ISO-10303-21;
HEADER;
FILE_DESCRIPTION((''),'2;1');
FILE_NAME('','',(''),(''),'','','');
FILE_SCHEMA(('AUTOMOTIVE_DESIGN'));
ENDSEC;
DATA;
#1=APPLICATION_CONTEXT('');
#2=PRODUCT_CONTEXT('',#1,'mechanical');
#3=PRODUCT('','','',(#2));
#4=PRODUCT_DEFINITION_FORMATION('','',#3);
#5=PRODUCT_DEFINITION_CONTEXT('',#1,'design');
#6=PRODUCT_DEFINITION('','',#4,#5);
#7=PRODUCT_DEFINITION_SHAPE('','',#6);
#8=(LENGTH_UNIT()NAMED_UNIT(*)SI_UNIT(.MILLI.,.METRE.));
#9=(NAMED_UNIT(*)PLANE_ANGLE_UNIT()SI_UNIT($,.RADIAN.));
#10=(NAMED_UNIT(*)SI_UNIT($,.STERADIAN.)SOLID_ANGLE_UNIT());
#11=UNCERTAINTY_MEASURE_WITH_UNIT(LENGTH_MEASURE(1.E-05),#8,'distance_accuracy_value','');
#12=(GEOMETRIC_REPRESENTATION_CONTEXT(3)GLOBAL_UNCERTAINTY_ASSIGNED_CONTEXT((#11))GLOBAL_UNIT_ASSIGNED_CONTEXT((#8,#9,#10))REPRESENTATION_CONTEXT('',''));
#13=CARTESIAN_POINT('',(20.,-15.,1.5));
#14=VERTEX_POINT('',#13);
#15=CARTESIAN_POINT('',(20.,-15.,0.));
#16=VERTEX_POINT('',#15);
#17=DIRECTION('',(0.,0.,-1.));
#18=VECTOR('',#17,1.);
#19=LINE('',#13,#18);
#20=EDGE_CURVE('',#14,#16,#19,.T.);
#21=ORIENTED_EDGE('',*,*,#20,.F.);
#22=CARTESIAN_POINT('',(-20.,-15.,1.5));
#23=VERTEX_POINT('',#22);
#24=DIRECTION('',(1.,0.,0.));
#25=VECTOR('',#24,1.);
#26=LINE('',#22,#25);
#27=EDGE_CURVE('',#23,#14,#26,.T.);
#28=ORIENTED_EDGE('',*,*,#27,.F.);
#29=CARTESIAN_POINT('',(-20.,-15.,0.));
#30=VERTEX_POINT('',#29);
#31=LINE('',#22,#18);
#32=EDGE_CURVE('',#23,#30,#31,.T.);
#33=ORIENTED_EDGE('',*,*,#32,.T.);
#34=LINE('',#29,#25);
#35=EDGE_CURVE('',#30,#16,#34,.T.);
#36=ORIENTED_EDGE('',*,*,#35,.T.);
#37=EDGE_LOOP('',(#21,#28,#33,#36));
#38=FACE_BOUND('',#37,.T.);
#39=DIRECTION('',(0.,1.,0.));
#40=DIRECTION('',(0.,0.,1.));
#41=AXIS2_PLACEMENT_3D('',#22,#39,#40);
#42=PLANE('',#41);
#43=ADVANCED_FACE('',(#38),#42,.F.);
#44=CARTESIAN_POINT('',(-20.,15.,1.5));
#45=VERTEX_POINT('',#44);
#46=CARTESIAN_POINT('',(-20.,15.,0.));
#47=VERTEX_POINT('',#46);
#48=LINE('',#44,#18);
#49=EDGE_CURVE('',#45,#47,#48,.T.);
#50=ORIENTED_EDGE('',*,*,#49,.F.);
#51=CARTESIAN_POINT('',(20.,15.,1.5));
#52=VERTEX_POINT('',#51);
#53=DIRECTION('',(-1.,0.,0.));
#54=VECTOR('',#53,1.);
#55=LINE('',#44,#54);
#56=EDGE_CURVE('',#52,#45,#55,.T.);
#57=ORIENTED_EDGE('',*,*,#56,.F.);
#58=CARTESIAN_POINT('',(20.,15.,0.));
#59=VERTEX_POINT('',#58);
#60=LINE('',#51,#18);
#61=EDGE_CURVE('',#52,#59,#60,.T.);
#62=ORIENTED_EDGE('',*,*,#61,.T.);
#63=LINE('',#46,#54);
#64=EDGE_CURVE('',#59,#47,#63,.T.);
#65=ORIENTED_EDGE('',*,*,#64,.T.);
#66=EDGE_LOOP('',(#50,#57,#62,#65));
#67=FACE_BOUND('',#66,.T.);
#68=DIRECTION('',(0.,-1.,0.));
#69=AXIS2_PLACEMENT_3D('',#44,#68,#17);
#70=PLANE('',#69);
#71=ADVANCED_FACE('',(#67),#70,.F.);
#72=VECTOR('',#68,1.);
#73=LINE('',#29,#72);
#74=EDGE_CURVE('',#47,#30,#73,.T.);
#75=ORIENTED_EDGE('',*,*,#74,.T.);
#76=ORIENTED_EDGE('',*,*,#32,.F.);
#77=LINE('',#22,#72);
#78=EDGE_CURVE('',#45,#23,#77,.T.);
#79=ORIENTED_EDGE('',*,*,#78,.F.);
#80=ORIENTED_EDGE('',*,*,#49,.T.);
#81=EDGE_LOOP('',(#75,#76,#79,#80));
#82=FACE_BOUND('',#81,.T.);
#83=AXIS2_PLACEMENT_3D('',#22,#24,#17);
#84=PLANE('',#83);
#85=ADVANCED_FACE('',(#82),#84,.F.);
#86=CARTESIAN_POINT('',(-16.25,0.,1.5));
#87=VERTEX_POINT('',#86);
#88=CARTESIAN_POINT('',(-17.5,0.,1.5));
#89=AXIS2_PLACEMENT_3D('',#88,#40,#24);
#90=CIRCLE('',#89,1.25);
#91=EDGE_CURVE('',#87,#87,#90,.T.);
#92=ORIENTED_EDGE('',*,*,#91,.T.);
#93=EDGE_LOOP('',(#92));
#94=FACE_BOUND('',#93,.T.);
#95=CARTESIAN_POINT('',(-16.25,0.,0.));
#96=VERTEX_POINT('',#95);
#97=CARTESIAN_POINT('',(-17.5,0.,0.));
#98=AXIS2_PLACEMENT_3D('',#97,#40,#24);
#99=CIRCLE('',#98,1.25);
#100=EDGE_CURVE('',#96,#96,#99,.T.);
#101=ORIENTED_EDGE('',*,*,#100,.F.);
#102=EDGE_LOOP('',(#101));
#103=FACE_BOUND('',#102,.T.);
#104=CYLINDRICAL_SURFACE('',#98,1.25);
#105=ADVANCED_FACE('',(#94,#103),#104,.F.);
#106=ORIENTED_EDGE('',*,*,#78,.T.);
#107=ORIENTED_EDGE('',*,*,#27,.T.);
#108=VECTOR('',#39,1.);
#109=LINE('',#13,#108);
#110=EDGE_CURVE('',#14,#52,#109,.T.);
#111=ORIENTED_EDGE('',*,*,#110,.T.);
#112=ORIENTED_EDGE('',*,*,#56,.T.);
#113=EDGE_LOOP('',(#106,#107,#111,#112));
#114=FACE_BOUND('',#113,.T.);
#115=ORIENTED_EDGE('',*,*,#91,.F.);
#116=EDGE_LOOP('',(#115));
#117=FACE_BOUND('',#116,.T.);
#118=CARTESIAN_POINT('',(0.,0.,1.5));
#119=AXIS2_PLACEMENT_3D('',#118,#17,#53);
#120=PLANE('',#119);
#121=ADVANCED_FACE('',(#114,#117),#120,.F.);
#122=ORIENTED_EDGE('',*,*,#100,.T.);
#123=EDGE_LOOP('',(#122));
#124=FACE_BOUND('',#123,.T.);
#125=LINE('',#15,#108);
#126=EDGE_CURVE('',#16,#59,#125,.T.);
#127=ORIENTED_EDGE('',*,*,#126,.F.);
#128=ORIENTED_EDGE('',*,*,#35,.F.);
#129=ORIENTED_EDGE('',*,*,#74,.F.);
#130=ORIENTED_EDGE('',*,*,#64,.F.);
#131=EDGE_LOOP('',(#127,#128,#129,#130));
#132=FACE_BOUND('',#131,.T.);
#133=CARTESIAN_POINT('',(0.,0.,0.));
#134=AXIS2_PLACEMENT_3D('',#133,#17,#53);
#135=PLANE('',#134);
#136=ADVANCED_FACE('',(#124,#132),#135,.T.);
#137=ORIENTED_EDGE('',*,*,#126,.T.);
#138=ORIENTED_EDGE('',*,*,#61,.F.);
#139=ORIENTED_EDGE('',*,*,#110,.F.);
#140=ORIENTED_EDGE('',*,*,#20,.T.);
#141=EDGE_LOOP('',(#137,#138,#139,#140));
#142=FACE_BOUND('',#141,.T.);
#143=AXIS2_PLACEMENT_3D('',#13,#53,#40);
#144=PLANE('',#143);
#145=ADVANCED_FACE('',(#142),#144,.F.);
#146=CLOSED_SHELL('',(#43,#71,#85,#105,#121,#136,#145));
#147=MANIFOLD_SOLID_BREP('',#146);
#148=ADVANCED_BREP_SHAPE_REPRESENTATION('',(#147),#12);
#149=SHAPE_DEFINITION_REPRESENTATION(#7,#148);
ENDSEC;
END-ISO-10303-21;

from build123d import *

# Parameters (mm, degrees)
SKETCH1_W           = 40
SKETCH1_H           = 30
BOSS_EXTRUDE2_DEPTH = 1.5
SKETCH2_R           = 1.25
CUT_EXTRUDE1_DEPTH  = 26.044959573


with BuildPart() as part:
    # Sketch1 → Boss-Extrude2 (new body)
    with BuildSketch(Plane.XY):
        Rectangle(SKETCH1_W, SKETCH1_H)
    extrude(amount=BOSS_EXTRUDE2_DEPTH)

    # Sketch2 → Cut-Extrude1 (cut, through all)
    with BuildSketch(Plane.XY.offset(1.5)):
        with Locations((-17.5, 0)):
            Circle(SKETCH2_R)
    extrude(amount=-CUT_EXTRUDE1_DEPTH, mode=Mode.SUBTRACT)


solid = part.part
